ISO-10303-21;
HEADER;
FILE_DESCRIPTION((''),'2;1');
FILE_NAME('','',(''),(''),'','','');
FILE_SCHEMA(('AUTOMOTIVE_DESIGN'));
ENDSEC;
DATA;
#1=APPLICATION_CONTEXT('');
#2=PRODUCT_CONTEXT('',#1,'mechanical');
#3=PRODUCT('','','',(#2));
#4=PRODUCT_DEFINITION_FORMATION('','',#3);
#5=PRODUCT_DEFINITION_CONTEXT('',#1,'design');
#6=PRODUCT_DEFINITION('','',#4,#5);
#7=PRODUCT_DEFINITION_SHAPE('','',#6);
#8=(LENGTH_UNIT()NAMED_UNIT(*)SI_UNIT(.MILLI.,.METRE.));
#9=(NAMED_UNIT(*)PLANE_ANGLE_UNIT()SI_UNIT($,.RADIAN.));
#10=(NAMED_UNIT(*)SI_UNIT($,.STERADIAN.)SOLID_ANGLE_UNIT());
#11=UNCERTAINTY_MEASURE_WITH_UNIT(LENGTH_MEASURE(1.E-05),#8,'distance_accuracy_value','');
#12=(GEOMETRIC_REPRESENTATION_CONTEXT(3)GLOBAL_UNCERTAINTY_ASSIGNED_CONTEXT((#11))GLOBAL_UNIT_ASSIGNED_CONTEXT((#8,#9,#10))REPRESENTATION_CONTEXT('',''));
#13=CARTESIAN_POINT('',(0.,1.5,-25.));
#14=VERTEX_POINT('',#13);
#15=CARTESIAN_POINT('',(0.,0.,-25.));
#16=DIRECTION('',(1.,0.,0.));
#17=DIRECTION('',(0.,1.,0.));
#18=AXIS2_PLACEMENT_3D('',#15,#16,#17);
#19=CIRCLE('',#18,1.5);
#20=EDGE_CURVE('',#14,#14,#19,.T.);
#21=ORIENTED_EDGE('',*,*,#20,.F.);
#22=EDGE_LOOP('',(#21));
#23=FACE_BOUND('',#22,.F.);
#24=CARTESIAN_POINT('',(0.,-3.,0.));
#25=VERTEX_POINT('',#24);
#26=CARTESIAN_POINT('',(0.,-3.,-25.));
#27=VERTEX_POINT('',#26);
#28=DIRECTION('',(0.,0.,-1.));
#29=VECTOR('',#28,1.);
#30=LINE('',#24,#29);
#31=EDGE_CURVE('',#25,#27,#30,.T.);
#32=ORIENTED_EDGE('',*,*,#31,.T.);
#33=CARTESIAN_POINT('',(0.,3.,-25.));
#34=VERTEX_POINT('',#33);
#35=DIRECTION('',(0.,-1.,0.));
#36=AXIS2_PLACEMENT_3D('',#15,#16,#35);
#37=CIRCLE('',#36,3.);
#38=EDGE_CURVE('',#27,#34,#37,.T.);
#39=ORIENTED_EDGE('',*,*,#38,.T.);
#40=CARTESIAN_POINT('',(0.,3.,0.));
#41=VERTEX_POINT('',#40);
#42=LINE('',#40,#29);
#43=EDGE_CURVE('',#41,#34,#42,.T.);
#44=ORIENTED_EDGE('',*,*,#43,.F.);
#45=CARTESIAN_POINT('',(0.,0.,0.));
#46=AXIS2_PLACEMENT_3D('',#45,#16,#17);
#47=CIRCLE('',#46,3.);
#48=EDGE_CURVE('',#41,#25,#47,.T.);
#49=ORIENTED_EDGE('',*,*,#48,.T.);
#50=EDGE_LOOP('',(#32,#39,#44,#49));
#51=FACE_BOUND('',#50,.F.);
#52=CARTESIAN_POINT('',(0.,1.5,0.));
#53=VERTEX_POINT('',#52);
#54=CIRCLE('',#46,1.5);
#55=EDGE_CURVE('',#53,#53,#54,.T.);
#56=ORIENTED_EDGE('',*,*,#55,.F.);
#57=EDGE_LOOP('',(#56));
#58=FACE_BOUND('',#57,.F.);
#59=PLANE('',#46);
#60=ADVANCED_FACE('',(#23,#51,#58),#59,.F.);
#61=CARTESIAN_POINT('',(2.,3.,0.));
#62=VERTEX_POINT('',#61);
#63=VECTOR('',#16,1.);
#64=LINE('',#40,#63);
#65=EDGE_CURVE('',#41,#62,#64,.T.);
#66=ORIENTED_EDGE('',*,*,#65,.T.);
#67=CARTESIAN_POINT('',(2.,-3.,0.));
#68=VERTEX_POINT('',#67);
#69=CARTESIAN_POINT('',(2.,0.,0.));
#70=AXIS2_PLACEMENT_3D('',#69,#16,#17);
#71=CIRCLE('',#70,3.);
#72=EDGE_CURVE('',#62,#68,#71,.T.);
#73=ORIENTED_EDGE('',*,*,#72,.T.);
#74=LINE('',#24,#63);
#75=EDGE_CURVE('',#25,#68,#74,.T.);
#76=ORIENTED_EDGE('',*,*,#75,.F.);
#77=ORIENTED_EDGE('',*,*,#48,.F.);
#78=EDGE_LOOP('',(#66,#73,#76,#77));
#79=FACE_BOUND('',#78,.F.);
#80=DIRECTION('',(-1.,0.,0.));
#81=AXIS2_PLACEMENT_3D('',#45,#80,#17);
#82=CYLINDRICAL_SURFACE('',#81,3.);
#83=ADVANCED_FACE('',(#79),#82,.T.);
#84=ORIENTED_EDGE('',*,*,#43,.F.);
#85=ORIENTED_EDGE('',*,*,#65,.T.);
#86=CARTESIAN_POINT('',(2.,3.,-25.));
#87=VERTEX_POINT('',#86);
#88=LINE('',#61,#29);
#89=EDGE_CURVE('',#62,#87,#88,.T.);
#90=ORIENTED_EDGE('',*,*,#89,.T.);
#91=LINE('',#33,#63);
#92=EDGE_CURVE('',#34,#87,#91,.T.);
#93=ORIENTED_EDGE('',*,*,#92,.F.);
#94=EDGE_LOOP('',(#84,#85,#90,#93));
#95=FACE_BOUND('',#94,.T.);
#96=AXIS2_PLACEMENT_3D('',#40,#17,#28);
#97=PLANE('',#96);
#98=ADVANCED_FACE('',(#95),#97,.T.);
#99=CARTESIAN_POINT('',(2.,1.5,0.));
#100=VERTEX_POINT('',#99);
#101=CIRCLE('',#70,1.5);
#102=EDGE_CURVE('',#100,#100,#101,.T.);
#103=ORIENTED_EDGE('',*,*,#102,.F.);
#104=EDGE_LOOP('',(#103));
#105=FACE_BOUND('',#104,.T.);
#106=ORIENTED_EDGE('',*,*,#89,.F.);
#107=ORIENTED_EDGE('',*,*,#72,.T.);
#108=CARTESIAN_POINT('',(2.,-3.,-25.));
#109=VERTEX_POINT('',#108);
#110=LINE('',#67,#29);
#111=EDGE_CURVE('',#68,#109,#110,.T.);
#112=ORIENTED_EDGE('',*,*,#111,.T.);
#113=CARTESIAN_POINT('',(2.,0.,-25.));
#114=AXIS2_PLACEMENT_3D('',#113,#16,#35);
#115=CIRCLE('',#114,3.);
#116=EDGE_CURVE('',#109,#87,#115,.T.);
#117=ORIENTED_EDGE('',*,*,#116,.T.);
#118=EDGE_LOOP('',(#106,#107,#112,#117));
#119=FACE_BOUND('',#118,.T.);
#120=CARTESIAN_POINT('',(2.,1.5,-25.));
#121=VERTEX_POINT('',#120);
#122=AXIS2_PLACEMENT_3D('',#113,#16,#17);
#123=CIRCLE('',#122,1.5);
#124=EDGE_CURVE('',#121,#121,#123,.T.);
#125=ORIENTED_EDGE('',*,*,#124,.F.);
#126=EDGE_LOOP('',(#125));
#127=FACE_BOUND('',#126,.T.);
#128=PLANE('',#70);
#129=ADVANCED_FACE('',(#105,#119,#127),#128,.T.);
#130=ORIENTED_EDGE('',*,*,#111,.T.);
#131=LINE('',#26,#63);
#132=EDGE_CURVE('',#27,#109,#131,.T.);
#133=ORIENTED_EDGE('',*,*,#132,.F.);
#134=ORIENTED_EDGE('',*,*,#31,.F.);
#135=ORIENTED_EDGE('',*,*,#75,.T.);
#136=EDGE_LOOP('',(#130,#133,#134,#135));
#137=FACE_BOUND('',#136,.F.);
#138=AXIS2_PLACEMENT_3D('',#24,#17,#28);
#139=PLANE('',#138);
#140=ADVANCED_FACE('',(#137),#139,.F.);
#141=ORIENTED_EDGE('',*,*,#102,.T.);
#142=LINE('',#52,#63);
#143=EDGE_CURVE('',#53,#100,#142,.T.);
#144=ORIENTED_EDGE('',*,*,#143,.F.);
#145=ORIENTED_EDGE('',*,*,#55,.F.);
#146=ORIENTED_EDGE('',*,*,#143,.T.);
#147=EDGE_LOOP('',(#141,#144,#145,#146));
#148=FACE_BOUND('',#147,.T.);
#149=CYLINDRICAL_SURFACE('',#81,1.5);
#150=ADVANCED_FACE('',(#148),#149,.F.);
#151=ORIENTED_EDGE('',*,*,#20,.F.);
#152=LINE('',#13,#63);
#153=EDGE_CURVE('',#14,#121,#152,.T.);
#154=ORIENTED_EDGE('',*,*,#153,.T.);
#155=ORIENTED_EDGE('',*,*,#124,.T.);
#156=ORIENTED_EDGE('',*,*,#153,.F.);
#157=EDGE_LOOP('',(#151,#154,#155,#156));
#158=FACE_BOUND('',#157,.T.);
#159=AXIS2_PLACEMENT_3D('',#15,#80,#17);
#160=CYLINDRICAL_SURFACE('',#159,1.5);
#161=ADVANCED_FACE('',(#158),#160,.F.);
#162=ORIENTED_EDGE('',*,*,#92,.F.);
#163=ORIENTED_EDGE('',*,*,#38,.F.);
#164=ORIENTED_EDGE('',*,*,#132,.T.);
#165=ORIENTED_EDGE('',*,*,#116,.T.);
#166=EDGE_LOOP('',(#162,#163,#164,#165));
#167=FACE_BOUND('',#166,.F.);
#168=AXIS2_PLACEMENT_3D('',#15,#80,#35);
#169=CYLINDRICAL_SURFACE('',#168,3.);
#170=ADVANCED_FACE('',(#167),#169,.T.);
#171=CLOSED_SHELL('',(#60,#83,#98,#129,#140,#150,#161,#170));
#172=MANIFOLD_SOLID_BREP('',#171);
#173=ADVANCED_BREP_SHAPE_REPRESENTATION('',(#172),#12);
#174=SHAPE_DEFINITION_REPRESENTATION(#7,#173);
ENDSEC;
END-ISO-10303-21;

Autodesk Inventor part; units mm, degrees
ref_plane "YZ Plane" through (0, 0, 0) normal (1, 0, 0) x (0, 1, 0)
ref_plane "XZ Plane" through (0, 0, 0) normal (0, 1, 0) x (-1, 0, 0)
ref_plane "XY Plane" through (0, 0, 0) normal (0, 0, 1) x (1, 0, 0)
sketch "Sketch1" plane through (0, 0, 0) normal (1, 0, 0) x (0, 1, 0)
  arc A0 (3, 0) -> (-3, 0) centre (0, 0) ccw
  line L0 (3, 0) -> (3, -25)
  arc A1 (-3, -25) -> (3, -25) centre (0, -25) ccw
  line L1 (-3, 0) -> (-3, -25)
  circle A2 centre (0, 0) radius 1.5
  circle A3 centre (0, -25) radius 1.5
  dimension "d0" = 6
  dimension "d1" = 25
  dimension "d2" = 6
  dimension "d3" = 3
  dimension "d4" = 3
extrude "Extrusion1" add sketch "Sketch1" along normal blind 2
properties part number "g_connector x4"
